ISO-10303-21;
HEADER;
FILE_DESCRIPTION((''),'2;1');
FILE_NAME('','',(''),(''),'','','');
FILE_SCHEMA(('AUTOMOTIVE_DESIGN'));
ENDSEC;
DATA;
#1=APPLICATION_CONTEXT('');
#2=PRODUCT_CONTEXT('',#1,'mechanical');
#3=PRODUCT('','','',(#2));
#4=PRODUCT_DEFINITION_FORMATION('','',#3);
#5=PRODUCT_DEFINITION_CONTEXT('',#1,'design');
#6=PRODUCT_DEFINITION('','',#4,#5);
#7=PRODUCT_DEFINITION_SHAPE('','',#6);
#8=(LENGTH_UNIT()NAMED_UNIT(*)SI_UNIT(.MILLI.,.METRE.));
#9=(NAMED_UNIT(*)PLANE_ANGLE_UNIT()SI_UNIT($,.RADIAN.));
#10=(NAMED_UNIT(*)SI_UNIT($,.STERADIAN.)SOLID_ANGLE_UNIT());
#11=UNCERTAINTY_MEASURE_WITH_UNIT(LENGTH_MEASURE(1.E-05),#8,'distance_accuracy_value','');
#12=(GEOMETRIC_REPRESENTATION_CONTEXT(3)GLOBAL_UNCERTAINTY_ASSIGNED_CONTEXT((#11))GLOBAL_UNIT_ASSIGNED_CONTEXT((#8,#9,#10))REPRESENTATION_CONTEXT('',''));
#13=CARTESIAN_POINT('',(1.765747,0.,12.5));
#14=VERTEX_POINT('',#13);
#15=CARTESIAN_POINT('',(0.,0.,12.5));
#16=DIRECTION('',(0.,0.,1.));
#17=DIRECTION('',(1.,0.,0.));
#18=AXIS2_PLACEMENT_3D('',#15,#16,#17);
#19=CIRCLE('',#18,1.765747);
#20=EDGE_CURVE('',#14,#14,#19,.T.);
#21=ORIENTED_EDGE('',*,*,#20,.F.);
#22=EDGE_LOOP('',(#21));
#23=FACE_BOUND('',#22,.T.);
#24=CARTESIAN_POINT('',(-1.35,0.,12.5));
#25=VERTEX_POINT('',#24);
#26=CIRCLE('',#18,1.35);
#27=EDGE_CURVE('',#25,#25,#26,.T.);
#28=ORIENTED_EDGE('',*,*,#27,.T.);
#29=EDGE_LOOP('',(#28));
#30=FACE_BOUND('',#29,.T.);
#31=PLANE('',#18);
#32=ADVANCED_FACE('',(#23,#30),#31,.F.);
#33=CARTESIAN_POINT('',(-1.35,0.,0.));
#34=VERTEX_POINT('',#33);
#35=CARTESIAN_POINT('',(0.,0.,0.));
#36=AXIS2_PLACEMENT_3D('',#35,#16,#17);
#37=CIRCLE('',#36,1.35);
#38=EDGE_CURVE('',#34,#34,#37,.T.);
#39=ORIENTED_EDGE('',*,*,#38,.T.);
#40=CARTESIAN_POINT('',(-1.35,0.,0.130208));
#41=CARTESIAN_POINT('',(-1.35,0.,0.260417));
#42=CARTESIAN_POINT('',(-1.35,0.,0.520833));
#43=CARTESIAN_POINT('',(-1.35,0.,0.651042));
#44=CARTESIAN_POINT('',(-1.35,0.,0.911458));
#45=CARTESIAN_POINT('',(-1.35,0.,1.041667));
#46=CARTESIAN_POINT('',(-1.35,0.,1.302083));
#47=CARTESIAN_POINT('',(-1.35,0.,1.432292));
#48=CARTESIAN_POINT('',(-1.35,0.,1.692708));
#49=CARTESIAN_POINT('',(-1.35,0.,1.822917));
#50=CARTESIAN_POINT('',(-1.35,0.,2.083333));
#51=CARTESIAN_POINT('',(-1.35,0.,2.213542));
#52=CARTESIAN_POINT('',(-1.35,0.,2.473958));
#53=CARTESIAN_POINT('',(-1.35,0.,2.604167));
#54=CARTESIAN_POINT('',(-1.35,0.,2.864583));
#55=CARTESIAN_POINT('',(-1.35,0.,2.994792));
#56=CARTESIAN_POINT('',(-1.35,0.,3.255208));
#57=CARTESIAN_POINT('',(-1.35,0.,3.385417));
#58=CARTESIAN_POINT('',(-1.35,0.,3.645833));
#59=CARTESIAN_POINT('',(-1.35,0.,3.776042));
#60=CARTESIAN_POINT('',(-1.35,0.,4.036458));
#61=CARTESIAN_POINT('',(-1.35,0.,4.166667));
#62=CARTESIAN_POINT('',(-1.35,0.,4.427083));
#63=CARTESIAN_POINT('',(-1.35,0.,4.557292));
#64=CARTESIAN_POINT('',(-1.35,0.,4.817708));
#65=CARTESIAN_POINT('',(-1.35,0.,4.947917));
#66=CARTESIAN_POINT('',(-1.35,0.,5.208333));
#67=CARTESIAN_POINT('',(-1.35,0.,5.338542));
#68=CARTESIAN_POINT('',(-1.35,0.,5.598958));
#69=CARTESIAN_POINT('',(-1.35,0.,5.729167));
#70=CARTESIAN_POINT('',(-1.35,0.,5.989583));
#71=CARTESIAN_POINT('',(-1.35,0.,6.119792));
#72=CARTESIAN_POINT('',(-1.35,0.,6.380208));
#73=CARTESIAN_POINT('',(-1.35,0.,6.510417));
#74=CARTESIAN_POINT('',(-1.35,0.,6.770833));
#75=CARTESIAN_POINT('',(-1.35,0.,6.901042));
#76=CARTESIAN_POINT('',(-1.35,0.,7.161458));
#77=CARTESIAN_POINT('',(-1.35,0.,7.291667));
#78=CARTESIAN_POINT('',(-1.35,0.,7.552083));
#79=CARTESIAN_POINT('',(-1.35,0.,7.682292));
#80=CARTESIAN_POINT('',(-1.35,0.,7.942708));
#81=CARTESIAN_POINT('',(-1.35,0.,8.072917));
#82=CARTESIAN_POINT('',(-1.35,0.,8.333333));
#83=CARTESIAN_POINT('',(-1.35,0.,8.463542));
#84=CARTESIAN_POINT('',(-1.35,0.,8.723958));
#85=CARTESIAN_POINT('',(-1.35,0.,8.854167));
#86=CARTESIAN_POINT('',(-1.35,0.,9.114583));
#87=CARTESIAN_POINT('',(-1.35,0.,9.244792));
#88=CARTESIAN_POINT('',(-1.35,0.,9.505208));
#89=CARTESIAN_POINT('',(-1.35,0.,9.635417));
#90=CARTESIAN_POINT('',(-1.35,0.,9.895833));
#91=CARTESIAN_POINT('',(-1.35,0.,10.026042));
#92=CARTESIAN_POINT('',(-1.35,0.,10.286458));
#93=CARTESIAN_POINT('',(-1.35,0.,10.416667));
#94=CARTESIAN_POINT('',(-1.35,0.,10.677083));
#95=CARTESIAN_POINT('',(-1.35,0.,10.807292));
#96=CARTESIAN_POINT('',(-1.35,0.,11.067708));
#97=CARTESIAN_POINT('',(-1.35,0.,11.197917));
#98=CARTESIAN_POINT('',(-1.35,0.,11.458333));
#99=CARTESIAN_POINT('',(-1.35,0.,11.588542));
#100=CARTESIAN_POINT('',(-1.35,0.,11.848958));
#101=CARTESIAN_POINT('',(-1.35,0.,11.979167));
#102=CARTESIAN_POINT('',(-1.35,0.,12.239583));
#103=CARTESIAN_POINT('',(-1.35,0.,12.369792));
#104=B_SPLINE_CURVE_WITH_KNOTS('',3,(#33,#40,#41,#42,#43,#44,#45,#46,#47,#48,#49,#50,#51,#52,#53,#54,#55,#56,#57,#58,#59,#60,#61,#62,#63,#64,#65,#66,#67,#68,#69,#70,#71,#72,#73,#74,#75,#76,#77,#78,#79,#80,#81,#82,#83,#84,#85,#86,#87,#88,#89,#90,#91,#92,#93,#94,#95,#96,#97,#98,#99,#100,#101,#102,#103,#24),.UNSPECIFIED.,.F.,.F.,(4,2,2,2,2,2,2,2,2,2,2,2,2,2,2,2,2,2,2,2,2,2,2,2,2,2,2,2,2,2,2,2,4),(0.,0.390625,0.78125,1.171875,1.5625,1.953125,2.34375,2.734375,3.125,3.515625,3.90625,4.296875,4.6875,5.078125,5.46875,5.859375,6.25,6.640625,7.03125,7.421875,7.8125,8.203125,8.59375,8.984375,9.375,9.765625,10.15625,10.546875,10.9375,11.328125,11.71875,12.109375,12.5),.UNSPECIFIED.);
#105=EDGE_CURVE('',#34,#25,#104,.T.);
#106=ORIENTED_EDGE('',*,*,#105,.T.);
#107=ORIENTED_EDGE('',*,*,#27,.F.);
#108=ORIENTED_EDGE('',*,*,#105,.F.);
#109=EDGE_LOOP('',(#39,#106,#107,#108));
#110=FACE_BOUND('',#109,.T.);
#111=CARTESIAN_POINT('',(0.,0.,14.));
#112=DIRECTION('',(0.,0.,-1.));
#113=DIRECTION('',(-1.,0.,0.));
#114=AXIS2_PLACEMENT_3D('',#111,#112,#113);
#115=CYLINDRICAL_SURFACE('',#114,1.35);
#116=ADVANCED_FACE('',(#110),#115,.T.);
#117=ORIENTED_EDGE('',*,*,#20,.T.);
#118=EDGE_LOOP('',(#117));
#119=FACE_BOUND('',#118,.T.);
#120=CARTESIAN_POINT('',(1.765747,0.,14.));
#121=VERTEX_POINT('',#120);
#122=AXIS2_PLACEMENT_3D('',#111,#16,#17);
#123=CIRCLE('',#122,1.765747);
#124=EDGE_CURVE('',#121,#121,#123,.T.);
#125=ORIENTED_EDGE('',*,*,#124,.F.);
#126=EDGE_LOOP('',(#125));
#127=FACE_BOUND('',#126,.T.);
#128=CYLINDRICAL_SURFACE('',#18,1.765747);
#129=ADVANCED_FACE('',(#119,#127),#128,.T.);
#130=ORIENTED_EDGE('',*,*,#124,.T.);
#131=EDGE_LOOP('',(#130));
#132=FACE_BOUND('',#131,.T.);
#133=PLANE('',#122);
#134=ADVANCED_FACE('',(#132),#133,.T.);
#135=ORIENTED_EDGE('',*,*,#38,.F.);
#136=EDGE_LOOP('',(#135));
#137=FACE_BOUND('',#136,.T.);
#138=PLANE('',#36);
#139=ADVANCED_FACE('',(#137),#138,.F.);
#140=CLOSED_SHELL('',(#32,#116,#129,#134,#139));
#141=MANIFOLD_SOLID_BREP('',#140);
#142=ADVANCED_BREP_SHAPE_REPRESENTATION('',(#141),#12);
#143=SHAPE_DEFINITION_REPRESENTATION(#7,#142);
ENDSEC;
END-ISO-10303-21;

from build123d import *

# Parameters (mm, degrees)
SKETCH1_R           = 1.35
BOSS_EXTRUDE1_DEPTH = 14
SKETCH2_R           = 1.765747212
BOSS_EXTRUDE2_DEPTH = 1.5


with BuildPart() as part:
    # Sketch1 → Boss-Extrude1 (new body)
    with BuildSketch(Plane.XY):
        with Locations(Location((0, 0, 0), (0, 0, 180))):
            Circle(SKETCH1_R)
    extrude(amount=BOSS_EXTRUDE1_DEPTH)

    # Sketch2 → Boss-Extrude2 (add)
    with BuildSketch(Plane.XY.offset(14)):
        Circle(SKETCH2_R)
    extrude(amount=-BOSS_EXTRUDE2_DEPTH)


solid = part.part
